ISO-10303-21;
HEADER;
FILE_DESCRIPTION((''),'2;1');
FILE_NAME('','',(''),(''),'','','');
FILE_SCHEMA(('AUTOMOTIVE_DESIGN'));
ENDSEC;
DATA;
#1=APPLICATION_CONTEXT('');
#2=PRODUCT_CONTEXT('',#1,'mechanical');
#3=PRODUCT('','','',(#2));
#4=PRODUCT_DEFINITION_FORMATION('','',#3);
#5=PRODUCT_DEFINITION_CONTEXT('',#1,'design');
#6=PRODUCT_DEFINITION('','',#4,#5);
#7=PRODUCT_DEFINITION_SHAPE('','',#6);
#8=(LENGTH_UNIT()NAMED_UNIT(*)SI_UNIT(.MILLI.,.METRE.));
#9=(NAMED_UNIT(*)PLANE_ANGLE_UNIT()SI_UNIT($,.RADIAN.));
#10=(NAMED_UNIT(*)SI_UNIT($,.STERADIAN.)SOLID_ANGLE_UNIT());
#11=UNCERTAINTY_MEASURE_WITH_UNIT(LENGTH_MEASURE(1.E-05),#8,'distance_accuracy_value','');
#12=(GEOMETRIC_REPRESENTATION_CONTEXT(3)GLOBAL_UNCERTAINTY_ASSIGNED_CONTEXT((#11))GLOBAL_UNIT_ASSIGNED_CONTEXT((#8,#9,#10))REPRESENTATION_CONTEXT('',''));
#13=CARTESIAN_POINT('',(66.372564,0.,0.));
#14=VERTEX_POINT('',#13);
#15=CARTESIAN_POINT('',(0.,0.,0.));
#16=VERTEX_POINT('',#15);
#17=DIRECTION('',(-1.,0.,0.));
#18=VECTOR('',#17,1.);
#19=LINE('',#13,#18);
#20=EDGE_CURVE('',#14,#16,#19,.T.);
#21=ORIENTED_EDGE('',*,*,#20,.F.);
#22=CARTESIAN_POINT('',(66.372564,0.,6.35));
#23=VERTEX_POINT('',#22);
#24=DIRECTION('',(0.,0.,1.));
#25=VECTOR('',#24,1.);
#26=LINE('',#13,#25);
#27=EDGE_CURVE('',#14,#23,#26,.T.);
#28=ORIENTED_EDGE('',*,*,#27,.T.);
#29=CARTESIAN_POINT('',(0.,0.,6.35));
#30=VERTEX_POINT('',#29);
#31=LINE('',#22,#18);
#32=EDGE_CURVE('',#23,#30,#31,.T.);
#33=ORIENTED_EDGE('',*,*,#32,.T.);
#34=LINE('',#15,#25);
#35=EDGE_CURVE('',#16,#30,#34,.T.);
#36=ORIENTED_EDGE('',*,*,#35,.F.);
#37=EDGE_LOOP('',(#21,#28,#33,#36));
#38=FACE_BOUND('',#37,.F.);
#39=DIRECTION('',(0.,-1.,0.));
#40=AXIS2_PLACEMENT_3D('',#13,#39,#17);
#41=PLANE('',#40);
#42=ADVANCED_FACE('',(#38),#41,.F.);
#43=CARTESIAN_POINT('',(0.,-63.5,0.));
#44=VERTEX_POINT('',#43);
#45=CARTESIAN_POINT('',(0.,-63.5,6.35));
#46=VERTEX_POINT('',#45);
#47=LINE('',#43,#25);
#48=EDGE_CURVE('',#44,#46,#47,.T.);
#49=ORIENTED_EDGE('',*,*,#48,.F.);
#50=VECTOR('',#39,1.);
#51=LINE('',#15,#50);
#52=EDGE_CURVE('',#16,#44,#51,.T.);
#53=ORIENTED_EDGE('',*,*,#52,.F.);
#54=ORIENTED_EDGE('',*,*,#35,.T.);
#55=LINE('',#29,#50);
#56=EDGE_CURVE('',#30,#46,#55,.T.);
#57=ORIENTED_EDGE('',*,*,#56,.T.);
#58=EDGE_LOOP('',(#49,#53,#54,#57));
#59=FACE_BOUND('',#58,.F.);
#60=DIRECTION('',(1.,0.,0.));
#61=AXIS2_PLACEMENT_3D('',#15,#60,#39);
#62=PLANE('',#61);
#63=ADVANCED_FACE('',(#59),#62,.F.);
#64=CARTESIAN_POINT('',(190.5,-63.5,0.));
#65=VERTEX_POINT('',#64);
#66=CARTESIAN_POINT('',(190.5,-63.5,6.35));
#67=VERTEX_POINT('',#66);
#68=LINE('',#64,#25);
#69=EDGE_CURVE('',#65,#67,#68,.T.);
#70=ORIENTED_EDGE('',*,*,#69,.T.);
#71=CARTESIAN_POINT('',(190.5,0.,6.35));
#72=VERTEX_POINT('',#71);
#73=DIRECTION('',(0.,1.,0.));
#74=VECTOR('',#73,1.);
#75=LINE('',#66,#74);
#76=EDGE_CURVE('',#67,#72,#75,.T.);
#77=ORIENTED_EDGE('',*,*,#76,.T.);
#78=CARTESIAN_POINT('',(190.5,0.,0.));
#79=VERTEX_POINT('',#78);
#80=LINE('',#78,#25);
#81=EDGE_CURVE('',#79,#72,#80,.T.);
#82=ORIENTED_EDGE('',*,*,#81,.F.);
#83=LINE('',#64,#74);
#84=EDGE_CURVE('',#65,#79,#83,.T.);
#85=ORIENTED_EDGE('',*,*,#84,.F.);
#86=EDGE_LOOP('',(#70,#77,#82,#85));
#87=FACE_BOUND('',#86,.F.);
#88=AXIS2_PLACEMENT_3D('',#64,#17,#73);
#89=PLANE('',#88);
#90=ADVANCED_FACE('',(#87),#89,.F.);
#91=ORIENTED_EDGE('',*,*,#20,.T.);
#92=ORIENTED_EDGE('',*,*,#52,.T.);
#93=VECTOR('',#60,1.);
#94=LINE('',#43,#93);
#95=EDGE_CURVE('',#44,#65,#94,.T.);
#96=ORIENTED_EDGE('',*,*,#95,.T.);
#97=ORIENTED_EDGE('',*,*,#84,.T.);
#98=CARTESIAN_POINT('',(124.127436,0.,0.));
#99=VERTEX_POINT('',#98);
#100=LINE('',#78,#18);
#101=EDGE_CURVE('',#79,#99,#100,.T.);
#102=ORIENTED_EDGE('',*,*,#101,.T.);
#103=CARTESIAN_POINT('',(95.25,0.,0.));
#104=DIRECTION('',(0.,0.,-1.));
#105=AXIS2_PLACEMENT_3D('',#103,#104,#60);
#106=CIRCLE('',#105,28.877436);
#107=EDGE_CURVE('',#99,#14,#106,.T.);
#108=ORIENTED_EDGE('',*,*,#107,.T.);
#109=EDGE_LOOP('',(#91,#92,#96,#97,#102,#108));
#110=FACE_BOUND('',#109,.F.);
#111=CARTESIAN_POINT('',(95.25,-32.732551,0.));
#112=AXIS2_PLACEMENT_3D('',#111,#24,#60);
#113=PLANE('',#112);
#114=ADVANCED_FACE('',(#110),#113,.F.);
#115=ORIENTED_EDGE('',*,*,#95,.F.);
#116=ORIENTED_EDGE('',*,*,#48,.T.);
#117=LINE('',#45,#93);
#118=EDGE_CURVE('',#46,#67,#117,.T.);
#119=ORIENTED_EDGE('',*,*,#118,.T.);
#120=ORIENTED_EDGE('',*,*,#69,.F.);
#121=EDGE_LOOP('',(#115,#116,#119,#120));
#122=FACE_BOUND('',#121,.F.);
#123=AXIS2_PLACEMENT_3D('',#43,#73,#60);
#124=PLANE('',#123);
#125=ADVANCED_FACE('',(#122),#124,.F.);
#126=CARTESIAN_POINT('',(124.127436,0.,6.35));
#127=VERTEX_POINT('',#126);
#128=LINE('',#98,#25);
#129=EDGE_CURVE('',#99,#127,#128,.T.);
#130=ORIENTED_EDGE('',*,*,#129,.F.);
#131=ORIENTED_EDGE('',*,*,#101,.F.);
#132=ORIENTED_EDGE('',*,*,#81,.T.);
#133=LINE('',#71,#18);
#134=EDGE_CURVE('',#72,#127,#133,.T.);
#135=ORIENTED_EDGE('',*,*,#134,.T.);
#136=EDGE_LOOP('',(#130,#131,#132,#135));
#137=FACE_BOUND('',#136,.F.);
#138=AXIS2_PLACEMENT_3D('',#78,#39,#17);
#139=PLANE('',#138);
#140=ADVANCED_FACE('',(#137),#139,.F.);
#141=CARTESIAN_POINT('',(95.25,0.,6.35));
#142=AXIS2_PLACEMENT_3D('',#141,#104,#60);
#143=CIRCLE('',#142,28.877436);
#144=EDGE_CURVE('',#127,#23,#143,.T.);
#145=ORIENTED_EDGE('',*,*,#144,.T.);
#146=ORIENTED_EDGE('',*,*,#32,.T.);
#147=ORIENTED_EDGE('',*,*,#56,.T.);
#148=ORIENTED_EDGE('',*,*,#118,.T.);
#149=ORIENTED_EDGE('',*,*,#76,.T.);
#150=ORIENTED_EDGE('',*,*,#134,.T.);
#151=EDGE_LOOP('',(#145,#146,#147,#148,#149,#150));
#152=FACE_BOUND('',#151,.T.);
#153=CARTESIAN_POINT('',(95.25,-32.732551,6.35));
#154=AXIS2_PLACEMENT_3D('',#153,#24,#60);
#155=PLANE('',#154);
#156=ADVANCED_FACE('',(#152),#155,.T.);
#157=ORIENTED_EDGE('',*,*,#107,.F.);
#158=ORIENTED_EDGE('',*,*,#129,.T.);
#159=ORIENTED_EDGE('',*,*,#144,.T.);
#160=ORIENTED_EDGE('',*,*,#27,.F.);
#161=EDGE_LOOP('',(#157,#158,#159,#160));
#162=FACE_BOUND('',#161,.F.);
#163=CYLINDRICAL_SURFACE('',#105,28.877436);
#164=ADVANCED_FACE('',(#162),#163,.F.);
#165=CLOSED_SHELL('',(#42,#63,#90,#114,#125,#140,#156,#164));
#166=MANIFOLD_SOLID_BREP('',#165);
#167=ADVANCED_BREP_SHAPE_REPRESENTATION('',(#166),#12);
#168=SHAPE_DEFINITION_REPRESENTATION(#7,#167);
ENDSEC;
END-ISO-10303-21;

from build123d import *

# Parameters (mm, degrees)
F1_DEPTH = 6.35


with BuildPart() as f1:
    # F0 (on Top) → F1 (new body)
    with BuildSketch(Plane.XY):
        with BuildLine():
            Line((66.372564, 0), (0, 0))
            Line((0, 0), (0, -63.5))
            Line((0, -63.5), (190.5, -63.5))
            Line((190.5, -63.5), (190.5, 0))
            Line((190.5, 0), (124.127436, 0))
            ThreePointArc((124.127436, 0), (95.25, -28.877436), (66.372564, 0))
        make_face()
    extrude(amount=F1_DEPTH)


solid = f1.part
